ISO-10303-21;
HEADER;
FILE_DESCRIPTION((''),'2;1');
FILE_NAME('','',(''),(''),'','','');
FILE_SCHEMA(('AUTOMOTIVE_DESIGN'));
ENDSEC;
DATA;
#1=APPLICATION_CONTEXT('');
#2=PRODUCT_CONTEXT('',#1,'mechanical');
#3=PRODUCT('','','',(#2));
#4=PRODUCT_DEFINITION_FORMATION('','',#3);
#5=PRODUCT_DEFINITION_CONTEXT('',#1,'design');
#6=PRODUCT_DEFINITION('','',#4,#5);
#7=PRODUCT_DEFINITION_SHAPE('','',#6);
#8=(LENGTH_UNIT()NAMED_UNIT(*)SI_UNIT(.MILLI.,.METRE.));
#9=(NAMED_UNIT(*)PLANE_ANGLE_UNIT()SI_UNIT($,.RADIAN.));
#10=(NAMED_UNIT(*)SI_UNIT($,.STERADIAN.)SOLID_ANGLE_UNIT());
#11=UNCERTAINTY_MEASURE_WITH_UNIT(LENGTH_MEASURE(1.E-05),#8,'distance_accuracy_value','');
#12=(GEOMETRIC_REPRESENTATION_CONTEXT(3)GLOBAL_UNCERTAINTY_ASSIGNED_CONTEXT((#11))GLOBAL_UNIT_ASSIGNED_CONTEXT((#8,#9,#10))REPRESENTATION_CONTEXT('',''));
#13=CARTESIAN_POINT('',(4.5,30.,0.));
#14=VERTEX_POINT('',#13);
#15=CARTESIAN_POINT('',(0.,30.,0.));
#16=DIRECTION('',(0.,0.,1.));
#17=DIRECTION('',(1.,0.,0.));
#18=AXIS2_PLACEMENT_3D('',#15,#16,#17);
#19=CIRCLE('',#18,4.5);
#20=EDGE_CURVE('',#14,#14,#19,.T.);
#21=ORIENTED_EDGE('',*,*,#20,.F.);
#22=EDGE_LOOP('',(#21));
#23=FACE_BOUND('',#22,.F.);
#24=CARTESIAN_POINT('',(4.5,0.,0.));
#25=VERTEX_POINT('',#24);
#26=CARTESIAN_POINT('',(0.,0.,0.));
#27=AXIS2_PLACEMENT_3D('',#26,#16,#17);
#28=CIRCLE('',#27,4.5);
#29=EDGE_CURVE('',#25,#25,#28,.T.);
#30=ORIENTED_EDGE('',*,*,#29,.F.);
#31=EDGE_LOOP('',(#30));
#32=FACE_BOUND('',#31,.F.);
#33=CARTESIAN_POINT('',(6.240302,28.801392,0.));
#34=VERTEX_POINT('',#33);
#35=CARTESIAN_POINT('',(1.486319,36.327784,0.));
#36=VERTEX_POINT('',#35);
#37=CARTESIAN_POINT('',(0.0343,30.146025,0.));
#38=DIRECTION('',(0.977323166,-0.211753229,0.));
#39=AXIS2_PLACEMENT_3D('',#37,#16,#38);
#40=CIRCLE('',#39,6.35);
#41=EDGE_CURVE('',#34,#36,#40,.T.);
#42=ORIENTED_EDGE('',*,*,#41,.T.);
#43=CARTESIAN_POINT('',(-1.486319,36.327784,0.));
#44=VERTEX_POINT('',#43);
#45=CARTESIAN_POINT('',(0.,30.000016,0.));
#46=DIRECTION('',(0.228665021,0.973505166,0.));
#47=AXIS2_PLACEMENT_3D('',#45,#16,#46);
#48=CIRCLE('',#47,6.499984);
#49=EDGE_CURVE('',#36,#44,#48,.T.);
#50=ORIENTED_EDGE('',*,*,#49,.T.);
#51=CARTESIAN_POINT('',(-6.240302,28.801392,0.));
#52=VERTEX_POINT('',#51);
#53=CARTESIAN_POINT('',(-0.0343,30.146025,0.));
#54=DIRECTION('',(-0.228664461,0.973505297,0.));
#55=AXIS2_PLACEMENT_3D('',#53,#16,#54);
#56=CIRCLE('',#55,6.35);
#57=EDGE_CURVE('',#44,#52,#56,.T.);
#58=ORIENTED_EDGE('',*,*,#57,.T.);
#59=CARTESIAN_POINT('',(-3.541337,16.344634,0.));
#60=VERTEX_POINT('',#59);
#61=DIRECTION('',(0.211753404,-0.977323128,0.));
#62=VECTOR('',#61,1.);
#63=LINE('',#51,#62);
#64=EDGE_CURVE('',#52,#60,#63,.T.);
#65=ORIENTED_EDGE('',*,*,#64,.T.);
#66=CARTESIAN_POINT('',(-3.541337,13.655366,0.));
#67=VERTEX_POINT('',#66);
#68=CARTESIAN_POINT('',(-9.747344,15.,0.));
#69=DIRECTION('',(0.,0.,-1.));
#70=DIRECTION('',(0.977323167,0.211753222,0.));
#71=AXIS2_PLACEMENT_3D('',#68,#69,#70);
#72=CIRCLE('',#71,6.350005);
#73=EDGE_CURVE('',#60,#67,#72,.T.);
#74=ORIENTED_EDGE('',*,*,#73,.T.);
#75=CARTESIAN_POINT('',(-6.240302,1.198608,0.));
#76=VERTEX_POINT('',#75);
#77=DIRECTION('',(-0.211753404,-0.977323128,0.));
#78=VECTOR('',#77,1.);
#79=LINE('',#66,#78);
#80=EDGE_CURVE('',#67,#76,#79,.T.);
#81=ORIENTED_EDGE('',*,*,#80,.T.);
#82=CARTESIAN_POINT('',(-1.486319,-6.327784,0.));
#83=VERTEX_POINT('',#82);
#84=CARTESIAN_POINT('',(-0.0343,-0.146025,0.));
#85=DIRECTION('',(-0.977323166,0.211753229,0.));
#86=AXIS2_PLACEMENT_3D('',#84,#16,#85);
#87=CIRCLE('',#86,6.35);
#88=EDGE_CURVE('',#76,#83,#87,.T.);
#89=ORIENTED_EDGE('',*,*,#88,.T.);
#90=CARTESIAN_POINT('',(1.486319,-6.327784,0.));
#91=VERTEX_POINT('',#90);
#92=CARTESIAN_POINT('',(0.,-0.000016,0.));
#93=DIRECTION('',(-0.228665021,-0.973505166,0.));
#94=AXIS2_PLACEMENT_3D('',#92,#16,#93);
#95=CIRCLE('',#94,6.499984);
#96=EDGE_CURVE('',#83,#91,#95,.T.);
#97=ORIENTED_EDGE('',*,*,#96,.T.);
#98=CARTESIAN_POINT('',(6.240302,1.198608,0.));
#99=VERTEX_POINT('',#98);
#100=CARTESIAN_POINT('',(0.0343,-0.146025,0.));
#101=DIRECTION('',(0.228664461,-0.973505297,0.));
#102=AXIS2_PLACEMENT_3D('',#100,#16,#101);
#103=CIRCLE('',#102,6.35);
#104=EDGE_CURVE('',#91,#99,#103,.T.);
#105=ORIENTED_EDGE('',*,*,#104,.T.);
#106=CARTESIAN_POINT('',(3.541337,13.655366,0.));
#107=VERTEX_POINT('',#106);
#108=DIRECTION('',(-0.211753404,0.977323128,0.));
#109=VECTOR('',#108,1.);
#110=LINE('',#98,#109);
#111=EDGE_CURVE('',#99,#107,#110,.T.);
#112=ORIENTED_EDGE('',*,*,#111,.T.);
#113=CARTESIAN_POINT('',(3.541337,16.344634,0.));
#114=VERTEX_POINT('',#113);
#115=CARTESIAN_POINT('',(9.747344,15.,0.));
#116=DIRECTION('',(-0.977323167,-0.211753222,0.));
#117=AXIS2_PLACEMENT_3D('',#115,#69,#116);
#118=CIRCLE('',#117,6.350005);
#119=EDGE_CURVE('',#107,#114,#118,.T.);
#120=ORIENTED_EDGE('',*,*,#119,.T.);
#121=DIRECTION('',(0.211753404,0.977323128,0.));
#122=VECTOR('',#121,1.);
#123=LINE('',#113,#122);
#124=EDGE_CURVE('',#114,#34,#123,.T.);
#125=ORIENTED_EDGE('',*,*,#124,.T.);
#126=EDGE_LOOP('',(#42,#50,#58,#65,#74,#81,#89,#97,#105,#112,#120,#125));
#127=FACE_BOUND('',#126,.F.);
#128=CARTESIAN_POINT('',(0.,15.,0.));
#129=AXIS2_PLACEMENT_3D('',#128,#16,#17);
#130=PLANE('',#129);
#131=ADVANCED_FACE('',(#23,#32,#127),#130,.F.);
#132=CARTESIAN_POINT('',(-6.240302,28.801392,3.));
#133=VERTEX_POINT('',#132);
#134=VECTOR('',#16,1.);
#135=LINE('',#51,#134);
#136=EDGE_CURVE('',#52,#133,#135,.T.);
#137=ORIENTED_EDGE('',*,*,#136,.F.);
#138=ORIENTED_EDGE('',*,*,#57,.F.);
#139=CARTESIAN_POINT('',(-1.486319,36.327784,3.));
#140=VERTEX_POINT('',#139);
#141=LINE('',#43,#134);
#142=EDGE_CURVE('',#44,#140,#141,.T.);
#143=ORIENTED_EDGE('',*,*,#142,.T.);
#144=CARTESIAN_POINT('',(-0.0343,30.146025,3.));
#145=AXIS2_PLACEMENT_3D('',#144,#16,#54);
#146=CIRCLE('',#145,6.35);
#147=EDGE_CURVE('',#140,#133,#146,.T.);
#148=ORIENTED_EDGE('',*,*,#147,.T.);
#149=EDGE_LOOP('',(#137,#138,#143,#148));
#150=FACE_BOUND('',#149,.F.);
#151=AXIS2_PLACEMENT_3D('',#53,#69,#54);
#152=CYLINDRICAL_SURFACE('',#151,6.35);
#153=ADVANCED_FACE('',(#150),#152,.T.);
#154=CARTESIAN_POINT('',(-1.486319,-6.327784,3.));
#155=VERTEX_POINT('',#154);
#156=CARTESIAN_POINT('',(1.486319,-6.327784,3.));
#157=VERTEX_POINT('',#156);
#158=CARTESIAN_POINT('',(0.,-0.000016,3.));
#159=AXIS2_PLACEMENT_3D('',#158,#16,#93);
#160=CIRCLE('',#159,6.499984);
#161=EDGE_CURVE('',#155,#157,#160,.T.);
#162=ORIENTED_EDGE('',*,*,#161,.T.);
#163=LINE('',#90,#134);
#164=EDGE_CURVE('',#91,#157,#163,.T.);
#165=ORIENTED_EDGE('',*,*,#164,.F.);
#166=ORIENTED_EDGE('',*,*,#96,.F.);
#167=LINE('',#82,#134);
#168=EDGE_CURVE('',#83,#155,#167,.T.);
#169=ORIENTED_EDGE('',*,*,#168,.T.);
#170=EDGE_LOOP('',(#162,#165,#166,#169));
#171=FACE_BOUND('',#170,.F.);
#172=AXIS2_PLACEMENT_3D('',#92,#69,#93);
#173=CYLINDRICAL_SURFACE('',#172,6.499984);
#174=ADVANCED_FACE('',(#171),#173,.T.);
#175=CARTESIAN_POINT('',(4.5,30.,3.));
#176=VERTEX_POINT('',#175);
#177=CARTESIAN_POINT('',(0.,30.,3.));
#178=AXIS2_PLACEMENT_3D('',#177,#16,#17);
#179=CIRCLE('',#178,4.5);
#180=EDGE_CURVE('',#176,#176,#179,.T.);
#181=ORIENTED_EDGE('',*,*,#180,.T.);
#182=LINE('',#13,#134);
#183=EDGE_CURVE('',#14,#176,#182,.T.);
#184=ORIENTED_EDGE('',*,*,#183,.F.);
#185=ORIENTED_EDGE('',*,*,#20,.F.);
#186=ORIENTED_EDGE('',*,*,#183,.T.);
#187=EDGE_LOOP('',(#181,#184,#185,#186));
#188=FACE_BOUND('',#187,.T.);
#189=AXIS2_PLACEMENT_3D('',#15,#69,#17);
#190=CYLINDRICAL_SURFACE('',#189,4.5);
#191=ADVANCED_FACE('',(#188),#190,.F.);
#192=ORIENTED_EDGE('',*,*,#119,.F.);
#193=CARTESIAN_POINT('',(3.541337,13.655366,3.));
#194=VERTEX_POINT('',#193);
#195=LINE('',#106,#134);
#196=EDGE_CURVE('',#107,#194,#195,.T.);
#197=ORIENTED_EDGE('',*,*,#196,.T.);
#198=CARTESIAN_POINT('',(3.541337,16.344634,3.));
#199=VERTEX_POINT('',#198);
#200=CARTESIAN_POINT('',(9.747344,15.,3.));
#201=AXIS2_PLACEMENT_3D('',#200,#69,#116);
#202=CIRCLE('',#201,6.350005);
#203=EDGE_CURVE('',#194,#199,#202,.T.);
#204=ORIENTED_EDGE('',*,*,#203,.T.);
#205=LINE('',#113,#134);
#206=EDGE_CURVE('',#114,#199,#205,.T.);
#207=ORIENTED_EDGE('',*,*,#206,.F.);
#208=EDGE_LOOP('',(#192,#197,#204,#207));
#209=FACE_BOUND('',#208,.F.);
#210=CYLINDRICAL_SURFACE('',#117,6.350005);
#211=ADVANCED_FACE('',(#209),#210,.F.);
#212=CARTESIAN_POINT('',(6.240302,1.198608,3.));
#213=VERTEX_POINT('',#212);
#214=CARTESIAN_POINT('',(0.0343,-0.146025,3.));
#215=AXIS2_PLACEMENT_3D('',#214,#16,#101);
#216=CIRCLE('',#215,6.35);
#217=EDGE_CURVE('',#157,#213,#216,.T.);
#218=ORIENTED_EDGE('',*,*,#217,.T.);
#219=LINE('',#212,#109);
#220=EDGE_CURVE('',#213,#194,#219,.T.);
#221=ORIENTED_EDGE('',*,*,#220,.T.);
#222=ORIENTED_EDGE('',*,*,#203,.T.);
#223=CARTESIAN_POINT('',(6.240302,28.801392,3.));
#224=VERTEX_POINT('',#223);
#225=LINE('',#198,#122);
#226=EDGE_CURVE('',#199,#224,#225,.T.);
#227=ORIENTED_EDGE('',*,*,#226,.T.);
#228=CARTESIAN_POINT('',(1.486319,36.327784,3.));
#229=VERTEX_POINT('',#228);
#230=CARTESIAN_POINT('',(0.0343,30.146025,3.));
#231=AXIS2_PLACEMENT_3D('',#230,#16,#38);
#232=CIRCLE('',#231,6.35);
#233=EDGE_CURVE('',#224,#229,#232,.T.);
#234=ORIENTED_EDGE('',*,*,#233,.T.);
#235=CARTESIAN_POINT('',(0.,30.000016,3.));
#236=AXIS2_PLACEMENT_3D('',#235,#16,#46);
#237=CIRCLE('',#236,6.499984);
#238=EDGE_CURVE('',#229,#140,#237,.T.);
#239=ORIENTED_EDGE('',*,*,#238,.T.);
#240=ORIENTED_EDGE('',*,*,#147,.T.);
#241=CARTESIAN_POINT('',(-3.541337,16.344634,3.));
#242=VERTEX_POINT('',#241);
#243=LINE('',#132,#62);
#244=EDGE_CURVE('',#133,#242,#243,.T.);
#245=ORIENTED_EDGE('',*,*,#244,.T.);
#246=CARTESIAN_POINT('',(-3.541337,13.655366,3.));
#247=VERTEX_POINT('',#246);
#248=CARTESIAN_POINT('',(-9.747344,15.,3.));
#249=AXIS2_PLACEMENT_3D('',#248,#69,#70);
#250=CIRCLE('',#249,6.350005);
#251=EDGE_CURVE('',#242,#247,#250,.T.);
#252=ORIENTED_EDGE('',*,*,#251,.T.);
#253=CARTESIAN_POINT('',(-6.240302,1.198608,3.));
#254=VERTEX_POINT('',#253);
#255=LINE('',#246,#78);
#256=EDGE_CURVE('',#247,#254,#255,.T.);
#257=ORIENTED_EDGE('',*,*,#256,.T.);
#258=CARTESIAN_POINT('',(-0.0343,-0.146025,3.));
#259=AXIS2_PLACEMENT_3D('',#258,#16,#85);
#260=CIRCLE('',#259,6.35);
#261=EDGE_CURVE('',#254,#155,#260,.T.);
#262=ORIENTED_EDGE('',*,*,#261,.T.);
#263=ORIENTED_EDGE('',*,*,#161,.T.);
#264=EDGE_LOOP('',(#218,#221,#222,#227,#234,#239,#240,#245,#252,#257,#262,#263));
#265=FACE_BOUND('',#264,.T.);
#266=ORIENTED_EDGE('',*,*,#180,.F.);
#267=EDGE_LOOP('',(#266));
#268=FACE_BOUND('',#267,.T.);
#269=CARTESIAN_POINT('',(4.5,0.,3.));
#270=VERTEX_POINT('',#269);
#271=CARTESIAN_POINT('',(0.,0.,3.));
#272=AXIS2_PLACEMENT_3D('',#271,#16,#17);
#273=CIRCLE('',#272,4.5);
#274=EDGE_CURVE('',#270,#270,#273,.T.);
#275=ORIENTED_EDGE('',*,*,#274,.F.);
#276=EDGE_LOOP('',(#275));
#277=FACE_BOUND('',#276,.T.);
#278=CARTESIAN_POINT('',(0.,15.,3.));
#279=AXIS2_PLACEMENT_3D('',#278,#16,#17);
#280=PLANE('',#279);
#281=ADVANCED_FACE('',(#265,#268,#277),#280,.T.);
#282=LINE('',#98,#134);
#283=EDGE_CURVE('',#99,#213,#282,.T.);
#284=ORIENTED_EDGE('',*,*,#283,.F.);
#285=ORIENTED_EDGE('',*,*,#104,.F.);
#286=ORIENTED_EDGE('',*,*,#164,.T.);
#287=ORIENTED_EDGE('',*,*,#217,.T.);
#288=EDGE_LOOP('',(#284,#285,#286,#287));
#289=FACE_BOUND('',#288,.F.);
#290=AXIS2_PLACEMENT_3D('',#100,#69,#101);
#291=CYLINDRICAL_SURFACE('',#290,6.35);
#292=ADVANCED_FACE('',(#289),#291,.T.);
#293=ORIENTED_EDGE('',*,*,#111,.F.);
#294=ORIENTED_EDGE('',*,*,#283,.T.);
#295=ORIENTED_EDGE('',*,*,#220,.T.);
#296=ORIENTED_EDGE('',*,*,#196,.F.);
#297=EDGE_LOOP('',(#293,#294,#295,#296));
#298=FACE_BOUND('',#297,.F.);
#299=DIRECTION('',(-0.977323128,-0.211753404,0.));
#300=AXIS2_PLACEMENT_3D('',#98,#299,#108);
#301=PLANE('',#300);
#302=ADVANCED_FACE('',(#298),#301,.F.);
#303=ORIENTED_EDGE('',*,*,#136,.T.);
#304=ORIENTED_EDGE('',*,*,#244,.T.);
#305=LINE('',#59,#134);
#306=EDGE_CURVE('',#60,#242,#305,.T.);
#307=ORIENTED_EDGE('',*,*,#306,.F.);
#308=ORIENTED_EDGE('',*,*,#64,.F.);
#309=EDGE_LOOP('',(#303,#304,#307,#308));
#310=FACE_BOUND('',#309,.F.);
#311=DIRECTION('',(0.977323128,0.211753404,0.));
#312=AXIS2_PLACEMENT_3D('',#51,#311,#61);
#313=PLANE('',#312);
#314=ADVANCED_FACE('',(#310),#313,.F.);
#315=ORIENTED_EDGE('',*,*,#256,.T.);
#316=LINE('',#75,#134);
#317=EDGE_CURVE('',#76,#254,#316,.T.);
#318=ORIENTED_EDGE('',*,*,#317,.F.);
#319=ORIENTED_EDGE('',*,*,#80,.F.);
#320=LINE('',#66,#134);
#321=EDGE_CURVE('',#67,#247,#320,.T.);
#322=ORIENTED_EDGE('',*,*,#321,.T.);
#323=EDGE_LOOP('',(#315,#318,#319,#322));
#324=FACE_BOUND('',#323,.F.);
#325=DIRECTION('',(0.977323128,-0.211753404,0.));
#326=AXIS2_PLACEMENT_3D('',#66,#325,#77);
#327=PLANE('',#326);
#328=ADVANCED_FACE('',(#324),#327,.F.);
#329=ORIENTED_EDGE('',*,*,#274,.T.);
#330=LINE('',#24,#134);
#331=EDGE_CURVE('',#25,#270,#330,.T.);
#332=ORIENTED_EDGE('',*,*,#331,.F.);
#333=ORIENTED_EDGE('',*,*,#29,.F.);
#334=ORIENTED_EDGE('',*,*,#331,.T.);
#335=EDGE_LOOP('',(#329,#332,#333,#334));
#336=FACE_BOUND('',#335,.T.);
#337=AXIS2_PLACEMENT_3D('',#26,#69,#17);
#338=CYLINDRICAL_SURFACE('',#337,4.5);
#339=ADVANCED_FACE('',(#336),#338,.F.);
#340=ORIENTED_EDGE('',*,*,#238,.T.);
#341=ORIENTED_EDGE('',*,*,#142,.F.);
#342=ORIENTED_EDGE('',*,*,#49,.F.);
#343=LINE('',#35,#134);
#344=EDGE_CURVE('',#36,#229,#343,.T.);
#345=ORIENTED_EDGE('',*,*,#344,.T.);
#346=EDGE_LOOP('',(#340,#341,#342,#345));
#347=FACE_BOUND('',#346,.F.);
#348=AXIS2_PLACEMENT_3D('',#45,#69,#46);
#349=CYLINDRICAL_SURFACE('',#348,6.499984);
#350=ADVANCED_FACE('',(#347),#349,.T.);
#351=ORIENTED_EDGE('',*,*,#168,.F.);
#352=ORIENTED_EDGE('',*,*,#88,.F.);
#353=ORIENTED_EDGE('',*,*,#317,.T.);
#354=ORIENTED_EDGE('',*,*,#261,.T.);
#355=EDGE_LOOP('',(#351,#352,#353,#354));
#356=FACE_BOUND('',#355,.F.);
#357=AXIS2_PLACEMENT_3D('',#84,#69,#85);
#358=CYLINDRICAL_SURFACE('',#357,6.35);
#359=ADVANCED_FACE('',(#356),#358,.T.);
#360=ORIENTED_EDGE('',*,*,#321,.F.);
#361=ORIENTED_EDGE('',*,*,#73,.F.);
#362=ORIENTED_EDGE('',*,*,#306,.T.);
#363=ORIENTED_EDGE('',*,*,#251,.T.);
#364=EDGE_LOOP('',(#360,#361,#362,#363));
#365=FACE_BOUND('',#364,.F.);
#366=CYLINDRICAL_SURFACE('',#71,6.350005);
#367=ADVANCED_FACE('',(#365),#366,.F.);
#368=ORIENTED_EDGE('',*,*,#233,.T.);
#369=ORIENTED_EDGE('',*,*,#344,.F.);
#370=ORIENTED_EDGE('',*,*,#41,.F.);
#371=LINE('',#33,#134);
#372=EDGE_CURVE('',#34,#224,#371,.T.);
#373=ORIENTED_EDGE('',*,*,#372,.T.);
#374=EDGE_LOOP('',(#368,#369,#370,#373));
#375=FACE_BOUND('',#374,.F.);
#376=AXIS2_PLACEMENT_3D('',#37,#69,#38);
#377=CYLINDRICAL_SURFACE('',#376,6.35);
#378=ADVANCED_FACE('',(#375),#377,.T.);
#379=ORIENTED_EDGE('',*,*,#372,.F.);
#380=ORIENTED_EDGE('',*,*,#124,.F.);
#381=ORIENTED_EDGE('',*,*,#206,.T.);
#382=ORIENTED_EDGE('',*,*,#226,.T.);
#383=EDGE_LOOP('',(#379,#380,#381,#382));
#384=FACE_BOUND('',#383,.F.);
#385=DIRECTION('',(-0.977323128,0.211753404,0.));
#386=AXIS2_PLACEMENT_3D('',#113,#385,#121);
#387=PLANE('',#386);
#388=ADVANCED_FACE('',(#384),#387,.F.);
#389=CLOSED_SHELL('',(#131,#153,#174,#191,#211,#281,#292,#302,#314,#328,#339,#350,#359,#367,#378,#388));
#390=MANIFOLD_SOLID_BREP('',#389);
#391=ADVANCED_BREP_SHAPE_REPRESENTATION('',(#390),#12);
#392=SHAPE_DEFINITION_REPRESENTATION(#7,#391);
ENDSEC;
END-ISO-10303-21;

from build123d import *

# Parameters (mm, degrees)
F0_R     = 4.5
F1_DEPTH = 3


with BuildPart() as f1:
    # F0 (on Top) → F1 (new body)
    with BuildSketch(Plane.XY):
        with BuildLine():
            ThreePointArc((6.240302, 28.801392), (5.403002, 33.537122), (1.486319, 36.327784))
            ThreePointArc((1.486319, 36.327784), (0, 36.5), (-1.486319, 36.327784))
            ThreePointArc((-1.486319, 36.327784), (-5.403002, 33.537122), (-6.240302, 28.801392))
            Line((-6.240302, 28.801392), (-3.541337, 16.344634))
            ThreePointArc((-3.541337, 16.344634), (-3.397339, 15), (-3.541337, 13.655366))
            Line((-3.541337, 13.655366), (-6.240302, 1.198608))
            ThreePointArc((-6.240302, 1.198608), (-5.403002, -3.537122), (-1.486319, -6.327784))
            ThreePointArc((-1.486319, -6.327784), (0, -6.5), (1.486319, -6.327784))
            ThreePointArc((1.486319, -6.327784), (5.403002, -3.537122), (6.240302, 1.198608))
            Line((6.240302, 1.198608), (3.541337, 13.655366))
            ThreePointArc((3.541337, 13.655366), (3.397339, 15), (3.541337, 16.344634))
            Line((3.541337, 16.344634), (6.240302, 28.801392))
        make_face()
        Circle(F0_R, mode=Mode.SUBTRACT)
        with Locations((0, 30)):
            Circle(F0_R, mode=Mode.SUBTRACT)
    extrude(amount=F1_DEPTH)


solid = f1.part
